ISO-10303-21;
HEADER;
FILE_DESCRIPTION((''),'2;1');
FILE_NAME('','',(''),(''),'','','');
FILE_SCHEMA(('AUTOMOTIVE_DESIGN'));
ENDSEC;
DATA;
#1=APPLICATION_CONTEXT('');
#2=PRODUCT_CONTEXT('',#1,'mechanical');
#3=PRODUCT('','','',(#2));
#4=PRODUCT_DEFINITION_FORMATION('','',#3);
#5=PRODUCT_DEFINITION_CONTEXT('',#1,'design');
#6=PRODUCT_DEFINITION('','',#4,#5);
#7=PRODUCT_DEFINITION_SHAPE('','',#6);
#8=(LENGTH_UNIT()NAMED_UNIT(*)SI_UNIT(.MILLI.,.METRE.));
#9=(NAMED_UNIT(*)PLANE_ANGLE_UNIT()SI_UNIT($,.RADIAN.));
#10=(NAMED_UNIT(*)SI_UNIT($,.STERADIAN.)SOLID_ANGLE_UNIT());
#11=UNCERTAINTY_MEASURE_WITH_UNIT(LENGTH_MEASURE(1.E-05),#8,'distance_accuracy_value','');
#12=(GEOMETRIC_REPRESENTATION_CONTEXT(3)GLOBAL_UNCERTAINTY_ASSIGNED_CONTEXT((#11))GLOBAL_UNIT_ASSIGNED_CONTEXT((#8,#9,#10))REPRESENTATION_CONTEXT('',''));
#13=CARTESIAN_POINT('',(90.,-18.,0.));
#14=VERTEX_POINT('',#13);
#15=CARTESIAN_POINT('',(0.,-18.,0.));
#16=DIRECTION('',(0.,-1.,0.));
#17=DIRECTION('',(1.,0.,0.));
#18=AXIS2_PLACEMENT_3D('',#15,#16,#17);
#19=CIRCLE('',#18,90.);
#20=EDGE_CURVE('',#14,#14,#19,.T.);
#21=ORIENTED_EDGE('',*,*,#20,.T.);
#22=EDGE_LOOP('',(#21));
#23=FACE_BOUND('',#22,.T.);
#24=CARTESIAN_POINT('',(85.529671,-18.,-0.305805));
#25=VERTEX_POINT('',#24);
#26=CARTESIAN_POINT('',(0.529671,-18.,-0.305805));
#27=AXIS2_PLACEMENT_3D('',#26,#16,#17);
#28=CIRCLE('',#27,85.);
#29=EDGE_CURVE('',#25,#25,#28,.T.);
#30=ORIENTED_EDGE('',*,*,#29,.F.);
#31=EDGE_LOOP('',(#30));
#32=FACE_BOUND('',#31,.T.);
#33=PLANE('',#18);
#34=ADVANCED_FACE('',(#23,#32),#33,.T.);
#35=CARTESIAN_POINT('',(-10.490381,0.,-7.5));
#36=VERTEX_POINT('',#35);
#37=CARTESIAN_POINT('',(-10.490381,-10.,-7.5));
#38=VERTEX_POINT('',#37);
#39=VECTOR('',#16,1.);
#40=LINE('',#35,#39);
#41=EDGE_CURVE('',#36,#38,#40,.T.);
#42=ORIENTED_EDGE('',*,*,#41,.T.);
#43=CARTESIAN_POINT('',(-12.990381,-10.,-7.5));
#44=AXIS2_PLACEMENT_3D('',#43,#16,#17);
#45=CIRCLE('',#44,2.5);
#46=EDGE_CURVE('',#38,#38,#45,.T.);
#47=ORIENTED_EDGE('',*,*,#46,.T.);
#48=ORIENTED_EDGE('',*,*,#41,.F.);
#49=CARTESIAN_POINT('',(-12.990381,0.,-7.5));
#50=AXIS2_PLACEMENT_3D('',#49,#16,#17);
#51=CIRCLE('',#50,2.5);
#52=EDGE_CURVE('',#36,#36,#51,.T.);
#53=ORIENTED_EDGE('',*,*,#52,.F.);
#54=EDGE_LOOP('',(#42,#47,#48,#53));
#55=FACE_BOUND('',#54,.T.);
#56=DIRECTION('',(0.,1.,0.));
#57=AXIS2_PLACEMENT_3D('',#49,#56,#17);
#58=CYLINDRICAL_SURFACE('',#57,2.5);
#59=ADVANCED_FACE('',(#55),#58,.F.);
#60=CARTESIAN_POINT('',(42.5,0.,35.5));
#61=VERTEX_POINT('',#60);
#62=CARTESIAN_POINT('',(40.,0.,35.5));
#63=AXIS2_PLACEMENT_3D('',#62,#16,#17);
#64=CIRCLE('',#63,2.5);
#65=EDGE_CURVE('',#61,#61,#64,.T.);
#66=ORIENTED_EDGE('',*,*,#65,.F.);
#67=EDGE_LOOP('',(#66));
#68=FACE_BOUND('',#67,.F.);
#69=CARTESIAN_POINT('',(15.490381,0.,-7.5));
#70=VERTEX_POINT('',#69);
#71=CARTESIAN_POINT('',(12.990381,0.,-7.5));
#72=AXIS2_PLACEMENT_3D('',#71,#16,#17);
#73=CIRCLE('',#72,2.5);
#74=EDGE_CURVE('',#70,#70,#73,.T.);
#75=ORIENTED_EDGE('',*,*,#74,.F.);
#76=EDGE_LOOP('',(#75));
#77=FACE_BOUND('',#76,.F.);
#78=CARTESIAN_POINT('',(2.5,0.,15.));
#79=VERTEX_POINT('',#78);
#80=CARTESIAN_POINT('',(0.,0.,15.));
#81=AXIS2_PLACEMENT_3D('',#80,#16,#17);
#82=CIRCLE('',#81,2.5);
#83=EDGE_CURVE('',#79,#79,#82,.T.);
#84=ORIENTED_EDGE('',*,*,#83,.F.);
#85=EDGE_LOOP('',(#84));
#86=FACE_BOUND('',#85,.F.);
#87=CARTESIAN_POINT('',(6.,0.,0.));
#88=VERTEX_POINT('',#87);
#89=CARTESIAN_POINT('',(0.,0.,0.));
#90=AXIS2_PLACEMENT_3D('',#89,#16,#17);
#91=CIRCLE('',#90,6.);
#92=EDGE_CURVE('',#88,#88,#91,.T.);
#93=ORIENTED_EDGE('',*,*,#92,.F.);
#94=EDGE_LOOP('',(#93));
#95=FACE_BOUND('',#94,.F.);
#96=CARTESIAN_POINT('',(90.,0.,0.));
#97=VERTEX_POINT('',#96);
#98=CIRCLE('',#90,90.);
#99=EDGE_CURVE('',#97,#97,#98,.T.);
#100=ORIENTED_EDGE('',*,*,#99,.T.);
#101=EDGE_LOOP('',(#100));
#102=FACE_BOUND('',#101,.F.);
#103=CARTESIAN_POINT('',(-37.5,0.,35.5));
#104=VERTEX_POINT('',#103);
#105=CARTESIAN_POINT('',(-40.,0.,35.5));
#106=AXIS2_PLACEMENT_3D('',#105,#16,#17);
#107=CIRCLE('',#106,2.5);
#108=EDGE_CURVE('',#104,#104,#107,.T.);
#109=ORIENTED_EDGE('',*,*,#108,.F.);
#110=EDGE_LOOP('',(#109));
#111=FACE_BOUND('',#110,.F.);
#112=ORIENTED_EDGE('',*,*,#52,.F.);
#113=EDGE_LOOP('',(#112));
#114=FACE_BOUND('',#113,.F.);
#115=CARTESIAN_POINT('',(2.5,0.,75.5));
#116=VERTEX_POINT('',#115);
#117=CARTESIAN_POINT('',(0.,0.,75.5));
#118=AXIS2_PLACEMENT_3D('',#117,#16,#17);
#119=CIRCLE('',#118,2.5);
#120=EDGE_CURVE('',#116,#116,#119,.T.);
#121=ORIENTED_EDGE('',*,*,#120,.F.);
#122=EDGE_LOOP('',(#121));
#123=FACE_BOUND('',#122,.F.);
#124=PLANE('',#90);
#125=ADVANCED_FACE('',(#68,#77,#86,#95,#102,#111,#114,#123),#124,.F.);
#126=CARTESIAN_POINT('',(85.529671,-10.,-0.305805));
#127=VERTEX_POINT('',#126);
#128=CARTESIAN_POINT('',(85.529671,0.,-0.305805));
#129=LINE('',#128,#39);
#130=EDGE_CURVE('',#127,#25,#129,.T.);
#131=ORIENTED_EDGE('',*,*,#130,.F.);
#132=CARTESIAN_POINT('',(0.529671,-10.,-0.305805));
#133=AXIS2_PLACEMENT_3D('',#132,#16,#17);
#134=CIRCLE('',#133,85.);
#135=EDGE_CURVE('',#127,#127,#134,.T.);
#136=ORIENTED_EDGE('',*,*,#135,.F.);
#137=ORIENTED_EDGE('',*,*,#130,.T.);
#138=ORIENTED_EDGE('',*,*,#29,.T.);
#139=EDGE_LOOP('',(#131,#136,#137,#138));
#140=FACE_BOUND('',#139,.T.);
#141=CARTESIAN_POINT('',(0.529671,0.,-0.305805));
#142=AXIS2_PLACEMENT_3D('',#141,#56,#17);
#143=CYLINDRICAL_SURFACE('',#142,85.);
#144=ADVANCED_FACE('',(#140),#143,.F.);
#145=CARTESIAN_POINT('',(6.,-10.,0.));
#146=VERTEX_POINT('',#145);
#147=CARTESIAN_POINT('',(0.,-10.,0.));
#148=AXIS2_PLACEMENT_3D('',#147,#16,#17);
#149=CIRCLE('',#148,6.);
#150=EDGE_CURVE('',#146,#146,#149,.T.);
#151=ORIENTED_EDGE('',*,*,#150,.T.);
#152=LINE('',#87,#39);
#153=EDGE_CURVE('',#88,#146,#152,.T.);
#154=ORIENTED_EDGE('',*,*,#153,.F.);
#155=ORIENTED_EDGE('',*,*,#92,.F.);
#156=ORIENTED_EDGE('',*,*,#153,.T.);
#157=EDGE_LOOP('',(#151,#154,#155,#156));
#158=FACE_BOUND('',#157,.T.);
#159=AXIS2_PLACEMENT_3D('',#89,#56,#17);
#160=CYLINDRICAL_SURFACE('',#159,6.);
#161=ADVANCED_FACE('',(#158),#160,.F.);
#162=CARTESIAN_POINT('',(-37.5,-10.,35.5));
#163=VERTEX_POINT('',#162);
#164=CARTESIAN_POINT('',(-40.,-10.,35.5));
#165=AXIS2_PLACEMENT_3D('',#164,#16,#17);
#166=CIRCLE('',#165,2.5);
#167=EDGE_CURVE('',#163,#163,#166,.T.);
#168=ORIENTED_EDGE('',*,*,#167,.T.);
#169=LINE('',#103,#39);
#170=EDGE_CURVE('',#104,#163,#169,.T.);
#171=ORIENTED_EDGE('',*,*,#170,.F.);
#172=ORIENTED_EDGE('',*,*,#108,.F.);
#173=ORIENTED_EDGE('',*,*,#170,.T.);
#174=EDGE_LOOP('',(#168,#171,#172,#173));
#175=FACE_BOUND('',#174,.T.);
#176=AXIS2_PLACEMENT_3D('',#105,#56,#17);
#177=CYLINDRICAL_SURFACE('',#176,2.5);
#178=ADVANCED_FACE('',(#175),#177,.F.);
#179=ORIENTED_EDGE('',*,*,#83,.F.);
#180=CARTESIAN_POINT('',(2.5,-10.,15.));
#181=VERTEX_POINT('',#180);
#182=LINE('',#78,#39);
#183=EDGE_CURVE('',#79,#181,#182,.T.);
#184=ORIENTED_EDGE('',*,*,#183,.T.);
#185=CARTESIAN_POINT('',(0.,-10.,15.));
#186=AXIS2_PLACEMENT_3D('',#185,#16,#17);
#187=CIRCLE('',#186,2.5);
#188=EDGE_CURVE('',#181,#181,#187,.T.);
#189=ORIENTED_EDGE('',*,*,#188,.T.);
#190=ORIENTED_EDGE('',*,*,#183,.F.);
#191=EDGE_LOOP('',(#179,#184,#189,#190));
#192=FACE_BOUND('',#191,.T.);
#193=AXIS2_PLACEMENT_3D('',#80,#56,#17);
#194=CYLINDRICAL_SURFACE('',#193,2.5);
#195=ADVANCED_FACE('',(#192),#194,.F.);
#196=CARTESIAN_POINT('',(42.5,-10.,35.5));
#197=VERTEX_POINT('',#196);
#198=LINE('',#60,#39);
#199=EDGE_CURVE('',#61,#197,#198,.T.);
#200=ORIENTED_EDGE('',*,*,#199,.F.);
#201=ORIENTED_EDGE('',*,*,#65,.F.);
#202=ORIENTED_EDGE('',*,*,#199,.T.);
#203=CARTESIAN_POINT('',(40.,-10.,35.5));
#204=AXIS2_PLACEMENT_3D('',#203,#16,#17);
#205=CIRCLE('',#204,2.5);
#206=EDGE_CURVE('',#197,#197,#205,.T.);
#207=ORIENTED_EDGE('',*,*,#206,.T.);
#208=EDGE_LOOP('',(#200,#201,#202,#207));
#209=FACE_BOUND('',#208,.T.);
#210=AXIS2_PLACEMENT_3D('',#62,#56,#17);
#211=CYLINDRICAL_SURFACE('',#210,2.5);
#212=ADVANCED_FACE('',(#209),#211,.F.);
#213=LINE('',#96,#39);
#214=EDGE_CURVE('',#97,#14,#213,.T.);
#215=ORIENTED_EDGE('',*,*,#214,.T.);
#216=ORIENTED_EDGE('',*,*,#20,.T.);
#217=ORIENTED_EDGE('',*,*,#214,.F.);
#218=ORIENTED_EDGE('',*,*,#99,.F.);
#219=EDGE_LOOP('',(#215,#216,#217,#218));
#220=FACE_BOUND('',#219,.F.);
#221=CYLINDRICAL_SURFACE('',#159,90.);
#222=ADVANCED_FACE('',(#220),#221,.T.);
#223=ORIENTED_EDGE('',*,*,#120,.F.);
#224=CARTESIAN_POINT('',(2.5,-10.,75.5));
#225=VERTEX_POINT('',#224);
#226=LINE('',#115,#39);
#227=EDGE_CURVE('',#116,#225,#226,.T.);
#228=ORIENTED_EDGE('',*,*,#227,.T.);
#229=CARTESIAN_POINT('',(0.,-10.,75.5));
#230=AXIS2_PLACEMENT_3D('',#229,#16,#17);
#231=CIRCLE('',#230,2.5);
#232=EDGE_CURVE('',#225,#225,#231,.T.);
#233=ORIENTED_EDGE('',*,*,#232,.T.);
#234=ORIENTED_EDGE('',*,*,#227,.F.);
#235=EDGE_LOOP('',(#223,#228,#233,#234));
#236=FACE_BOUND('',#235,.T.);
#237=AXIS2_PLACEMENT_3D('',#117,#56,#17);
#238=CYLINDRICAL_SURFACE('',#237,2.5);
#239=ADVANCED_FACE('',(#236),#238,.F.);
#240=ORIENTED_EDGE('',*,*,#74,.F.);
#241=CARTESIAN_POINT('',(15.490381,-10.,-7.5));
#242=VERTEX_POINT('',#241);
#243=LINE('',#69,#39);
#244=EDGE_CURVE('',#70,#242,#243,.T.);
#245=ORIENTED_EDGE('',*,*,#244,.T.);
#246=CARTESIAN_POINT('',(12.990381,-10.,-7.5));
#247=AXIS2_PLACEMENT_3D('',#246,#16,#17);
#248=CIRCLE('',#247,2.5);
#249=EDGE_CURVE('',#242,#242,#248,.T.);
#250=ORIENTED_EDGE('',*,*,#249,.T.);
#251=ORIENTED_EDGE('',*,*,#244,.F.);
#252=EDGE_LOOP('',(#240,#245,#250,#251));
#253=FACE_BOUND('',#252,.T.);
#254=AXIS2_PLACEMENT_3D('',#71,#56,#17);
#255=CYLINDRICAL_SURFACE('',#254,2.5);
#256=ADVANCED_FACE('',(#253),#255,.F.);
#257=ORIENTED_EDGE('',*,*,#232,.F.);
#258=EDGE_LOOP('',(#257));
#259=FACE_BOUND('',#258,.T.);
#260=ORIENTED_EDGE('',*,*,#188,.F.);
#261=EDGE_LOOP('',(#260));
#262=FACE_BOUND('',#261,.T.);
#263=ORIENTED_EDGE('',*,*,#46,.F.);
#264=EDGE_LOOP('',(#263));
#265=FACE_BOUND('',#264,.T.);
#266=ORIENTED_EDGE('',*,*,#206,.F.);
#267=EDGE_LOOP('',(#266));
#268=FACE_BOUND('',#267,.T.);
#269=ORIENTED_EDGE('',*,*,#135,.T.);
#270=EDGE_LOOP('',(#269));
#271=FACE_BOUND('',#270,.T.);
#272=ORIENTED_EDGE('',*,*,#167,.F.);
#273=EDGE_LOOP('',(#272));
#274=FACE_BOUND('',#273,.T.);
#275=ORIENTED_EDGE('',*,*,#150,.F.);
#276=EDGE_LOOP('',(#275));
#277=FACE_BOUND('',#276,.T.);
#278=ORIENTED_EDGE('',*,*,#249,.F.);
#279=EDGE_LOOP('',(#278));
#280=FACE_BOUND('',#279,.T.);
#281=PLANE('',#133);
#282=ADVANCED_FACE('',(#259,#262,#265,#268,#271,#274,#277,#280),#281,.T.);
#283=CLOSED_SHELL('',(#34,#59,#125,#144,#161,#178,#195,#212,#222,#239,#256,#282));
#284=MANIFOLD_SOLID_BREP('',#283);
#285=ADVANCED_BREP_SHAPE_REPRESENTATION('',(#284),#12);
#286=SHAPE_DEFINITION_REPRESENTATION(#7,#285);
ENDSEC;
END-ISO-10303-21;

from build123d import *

# Parameters (mm, degrees)
F0_R     = 85
F0_R_2   = 2.5
F0_R_3   = 6
F1_DEPTH = 5
F0_R_4   = 90
F2_DEPTH = 18
F3_DEPTH = 10


with BuildPart() as f1:
    # F0 (on Front) → F1 (new body)
    with BuildSketch(Plane.XZ):
        with Locations((0.529671, -0.305805)):
            Circle(F0_R)
        with Locations((-12.990381, -7.5)):
            Circle(F0_R_2, mode=Mode.SUBTRACT)
        with Locations((12.990381, -7.5)):
            Circle(F0_R_2, mode=Mode.SUBTRACT)
        with Locations((-40, 35.5)):
            Circle(F0_R_2, mode=Mode.SUBTRACT)
        Circle(F0_R_3, mode=Mode.SUBTRACT)
        with Locations((0, 15)):
            Circle(F0_R_2, mode=Mode.SUBTRACT)
        with Locations((40, 35.5)):
            Circle(F0_R_2, mode=Mode.SUBTRACT)
        with Locations((0, 75.5)):
            Circle(F0_R_2, mode=Mode.SUBTRACT)
    extrude(amount=F1_DEPTH)

    # F0 (on Front) → F2 (join)
    with BuildSketch(Plane.XZ):
        Circle(F0_R_4)
        with Locations((0.529671, -0.305805)):
            Circle(F0_R, mode=Mode.SUBTRACT)
    extrude(amount=F2_DEPTH)

    # F0 (on Front) → F3 (join)
    with BuildSketch(Plane.XZ):
        with Locations((0.529671, -0.305805)):
            Circle(F0_R)
        with Locations((-12.990381, -7.5)):
            Circle(F0_R_2, mode=Mode.SUBTRACT)
        with Locations((12.990381, -7.5)):
            Circle(F0_R_2, mode=Mode.SUBTRACT)
        with Locations((-40, 35.5)):
            Circle(F0_R_2, mode=Mode.SUBTRACT)
        Circle(F0_R_3, mode=Mode.SUBTRACT)
        with Locations((0, 15)):
            Circle(F0_R_2, mode=Mode.SUBTRACT)
        with Locations((40, 35.5)):
            Circle(F0_R_2, mode=Mode.SUBTRACT)
        with Locations((0, 75.5)):
            Circle(F0_R_2, mode=Mode.SUBTRACT)
    extrude(amount=F3_DEPTH)


solid = f1.part
